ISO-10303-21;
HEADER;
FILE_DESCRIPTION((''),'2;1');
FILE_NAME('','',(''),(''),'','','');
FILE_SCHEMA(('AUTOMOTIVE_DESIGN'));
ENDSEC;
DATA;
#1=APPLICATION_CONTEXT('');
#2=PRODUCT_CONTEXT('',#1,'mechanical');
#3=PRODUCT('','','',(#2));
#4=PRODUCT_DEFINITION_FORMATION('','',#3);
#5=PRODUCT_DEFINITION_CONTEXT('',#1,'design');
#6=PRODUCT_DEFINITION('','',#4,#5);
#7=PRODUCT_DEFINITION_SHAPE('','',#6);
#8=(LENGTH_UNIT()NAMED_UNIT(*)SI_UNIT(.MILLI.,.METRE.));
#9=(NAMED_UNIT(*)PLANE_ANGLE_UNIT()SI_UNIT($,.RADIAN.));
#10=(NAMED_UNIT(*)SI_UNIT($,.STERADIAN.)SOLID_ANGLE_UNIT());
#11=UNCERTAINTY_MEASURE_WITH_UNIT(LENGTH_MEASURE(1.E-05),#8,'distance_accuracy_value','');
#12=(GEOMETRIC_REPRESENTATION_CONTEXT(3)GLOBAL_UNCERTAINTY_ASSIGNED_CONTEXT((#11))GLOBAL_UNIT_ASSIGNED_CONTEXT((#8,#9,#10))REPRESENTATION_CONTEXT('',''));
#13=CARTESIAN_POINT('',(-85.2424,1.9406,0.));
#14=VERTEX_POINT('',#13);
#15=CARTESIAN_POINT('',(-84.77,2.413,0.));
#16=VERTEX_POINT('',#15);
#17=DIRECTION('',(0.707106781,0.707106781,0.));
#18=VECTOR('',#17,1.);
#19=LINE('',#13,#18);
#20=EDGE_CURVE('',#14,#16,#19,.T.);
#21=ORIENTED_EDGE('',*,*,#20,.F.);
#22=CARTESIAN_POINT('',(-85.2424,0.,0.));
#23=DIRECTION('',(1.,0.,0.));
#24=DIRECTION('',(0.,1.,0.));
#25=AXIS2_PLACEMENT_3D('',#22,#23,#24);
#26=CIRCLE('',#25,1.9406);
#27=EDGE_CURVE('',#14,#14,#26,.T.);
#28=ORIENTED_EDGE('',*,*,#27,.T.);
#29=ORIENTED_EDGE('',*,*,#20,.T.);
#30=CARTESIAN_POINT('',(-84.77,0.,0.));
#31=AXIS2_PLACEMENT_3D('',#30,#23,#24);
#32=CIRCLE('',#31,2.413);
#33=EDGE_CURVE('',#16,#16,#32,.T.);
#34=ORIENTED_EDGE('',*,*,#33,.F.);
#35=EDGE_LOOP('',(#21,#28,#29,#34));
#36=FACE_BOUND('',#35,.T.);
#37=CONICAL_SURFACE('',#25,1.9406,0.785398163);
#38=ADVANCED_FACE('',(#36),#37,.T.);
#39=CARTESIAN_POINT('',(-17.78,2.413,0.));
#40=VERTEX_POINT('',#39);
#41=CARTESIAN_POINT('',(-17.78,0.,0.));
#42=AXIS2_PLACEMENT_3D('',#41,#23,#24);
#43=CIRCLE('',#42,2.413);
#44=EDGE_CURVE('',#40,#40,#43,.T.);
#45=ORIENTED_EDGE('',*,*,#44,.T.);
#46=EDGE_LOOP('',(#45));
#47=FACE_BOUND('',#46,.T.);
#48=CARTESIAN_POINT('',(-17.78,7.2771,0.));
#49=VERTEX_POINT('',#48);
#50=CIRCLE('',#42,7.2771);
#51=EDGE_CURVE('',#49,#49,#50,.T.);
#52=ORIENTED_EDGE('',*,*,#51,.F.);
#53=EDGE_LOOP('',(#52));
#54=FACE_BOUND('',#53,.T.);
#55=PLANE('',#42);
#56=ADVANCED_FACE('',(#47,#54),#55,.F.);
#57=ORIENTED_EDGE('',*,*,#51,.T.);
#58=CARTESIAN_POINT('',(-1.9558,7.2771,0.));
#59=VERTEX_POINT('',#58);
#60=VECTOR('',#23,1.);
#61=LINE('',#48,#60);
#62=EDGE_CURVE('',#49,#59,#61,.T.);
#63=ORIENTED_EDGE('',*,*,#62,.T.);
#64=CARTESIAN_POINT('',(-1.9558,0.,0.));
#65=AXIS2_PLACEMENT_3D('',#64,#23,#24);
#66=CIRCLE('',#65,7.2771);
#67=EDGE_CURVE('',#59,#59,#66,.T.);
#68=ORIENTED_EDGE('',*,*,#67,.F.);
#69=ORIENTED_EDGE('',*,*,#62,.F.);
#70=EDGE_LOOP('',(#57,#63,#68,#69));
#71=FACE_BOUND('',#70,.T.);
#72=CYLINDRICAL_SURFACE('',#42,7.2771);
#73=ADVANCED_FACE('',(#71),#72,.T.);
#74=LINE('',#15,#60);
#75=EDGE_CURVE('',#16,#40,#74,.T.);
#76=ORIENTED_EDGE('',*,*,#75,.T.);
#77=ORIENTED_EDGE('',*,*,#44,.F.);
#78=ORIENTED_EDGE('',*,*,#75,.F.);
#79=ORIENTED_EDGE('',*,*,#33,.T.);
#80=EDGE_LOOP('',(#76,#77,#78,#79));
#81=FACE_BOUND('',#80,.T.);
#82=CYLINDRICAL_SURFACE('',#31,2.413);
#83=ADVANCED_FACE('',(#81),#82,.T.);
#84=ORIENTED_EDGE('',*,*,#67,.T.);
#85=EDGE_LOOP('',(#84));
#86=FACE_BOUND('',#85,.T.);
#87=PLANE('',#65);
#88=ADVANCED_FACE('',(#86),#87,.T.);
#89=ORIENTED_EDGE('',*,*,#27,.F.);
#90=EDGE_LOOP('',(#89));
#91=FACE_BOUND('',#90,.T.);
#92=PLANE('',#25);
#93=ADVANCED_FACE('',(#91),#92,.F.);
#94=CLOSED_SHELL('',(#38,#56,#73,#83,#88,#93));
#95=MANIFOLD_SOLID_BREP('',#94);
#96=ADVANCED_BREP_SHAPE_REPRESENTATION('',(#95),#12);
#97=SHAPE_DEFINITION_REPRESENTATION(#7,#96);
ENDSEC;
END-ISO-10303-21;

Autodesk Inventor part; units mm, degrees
sketch "Sketch_5" plane through (0, 0, 0) normal (0, 0, 1) x (1, 0, 0)
  line L0 (-9.525, 0) -> (-85.2424, 0)
  line L1 (-85.2424, 0) -> (-85.2424, 1.9406)
  line L2 (-85.2424, 1.9406) -> (-84.77, 2.413)
  line L3 (-84.77, 2.413) -> (-9.525, 2.413)
  line L4 (-9.525, 2.413) -> (-9.525, 0)
  line L5 (-9.525, 0) -> (-85.2424, 0)
revolve "Revolution1" add sketch "Sketch_5" angle 360 about axis through (-9.525, 0, 0) along (1, 0, 0)
sketch "Sketch_14" plane through (0, 0, 0) normal (0, 0, 1) x (1, 0, 0)
  line L0 (-1.9558, 0) -> (-17.78, 0)
  line L1 (-17.78, 0) -> (-17.78, 7.2771)
  line L2 (-17.78, 7.2771) -> (-1.9558, 7.2771)
  line L3 (-1.9558, 7.2771) -> (-1.9558, 0)
  line L4 (-1.9558, 0) -> (-17.78, 0)
revolve "Revolution2" add sketch "Sketch_14" angle 360 about axis through (-1.9558, 0, 0) along (1, 0, 0)
ref_plane "h1_XY" through (-85.2424, 0, 0) normal (0, 1, 0) x (1, 0, 0)
ref_plane "h1_YZ" through (-85.2424, 0, 0) normal (1, 0, 0) x (0, 0, -1)
ref_plane "h1_ZX" through (-85.2424, 0, 0) normal (0, 0, -1) x (0, 1, 0)
ref_plane "h2_XY" through (-85.2424, 0, 0) normal (0, 1, 0) x (1, 0, 0)
ref_plane "h2_YZ" through (-85.2424, 0, 0) normal (1, 0, 0) x (0, 0, -1)
ref_plane "h2_ZX" through (-85.2424, 0, 0) normal (0, 0, -1) x (0, 1, 0)
ref_plane "k1_XY" through (-85.2424, 0, -2.413) normal (0, 1, 0) x (1, 0, 0)
ref_plane "k1_YZ" through (-85.2424, 0, -2.413) normal (1, 0, 0) x (0, 0, -1)
ref_plane "k1_ZX" through (-85.2424, 0, -2.413) normal (0, 0, -1) x (0, 1, 0)
ref_plane "k2_XY" through (-85.2424, 0, 2.413) normal (0, 1, 0) x (1, 0, 0)
ref_plane "k2_YZ" through (-85.2424, 0, 2.413) normal (1, 0, 0) x (0, 0, -1)
ref_plane "k2_ZX" through (-85.2424, 0, 2.413) normal (0, 0, -1) x (0, 1, 0)
ref_plane "start_XY" through (-72.5424, 0, 0) normal (0, 1, 0) x (1, 0, 0)
ref_plane "start_YZ" through (-72.5424, 0, 0) normal (1, 0, 0) x (0, 0, -1)
ref_plane "start_ZX" through (-72.5424, 0, 0) normal (0, 0, -1) x (0, 1, 0)
ref_plane "to_prc_XY" through (-85.2424, 0, 0) normal (1, 0, 0) x (0, 0, -1)
ref_plane "to_prc_YZ" through (-85.2424, 0, 0) normal (0, 0, -1) x (0, 1, 0)
ref_plane "to_prc_ZX" through (-85.2424, 0, 0) normal (0, 1, 0) x (1, 0, 0)
ref_plane "to_rod_guide_XY" through (-85.2424, 0, 0) normal (1, 0, 0) x (0, 0, -1)
ref_plane "to_rod_guide_YZ" through (-85.2424, 0, 0) normal (0, 0, -1) x (0, 1, 0)
ref_plane "to_rod_guide_ZX" through (-85.2424, 0, 0) normal (0, 1, 0) x (1, 0, 0)
properties part number "D-95381.5-0.25XP-3.356-3pos"
